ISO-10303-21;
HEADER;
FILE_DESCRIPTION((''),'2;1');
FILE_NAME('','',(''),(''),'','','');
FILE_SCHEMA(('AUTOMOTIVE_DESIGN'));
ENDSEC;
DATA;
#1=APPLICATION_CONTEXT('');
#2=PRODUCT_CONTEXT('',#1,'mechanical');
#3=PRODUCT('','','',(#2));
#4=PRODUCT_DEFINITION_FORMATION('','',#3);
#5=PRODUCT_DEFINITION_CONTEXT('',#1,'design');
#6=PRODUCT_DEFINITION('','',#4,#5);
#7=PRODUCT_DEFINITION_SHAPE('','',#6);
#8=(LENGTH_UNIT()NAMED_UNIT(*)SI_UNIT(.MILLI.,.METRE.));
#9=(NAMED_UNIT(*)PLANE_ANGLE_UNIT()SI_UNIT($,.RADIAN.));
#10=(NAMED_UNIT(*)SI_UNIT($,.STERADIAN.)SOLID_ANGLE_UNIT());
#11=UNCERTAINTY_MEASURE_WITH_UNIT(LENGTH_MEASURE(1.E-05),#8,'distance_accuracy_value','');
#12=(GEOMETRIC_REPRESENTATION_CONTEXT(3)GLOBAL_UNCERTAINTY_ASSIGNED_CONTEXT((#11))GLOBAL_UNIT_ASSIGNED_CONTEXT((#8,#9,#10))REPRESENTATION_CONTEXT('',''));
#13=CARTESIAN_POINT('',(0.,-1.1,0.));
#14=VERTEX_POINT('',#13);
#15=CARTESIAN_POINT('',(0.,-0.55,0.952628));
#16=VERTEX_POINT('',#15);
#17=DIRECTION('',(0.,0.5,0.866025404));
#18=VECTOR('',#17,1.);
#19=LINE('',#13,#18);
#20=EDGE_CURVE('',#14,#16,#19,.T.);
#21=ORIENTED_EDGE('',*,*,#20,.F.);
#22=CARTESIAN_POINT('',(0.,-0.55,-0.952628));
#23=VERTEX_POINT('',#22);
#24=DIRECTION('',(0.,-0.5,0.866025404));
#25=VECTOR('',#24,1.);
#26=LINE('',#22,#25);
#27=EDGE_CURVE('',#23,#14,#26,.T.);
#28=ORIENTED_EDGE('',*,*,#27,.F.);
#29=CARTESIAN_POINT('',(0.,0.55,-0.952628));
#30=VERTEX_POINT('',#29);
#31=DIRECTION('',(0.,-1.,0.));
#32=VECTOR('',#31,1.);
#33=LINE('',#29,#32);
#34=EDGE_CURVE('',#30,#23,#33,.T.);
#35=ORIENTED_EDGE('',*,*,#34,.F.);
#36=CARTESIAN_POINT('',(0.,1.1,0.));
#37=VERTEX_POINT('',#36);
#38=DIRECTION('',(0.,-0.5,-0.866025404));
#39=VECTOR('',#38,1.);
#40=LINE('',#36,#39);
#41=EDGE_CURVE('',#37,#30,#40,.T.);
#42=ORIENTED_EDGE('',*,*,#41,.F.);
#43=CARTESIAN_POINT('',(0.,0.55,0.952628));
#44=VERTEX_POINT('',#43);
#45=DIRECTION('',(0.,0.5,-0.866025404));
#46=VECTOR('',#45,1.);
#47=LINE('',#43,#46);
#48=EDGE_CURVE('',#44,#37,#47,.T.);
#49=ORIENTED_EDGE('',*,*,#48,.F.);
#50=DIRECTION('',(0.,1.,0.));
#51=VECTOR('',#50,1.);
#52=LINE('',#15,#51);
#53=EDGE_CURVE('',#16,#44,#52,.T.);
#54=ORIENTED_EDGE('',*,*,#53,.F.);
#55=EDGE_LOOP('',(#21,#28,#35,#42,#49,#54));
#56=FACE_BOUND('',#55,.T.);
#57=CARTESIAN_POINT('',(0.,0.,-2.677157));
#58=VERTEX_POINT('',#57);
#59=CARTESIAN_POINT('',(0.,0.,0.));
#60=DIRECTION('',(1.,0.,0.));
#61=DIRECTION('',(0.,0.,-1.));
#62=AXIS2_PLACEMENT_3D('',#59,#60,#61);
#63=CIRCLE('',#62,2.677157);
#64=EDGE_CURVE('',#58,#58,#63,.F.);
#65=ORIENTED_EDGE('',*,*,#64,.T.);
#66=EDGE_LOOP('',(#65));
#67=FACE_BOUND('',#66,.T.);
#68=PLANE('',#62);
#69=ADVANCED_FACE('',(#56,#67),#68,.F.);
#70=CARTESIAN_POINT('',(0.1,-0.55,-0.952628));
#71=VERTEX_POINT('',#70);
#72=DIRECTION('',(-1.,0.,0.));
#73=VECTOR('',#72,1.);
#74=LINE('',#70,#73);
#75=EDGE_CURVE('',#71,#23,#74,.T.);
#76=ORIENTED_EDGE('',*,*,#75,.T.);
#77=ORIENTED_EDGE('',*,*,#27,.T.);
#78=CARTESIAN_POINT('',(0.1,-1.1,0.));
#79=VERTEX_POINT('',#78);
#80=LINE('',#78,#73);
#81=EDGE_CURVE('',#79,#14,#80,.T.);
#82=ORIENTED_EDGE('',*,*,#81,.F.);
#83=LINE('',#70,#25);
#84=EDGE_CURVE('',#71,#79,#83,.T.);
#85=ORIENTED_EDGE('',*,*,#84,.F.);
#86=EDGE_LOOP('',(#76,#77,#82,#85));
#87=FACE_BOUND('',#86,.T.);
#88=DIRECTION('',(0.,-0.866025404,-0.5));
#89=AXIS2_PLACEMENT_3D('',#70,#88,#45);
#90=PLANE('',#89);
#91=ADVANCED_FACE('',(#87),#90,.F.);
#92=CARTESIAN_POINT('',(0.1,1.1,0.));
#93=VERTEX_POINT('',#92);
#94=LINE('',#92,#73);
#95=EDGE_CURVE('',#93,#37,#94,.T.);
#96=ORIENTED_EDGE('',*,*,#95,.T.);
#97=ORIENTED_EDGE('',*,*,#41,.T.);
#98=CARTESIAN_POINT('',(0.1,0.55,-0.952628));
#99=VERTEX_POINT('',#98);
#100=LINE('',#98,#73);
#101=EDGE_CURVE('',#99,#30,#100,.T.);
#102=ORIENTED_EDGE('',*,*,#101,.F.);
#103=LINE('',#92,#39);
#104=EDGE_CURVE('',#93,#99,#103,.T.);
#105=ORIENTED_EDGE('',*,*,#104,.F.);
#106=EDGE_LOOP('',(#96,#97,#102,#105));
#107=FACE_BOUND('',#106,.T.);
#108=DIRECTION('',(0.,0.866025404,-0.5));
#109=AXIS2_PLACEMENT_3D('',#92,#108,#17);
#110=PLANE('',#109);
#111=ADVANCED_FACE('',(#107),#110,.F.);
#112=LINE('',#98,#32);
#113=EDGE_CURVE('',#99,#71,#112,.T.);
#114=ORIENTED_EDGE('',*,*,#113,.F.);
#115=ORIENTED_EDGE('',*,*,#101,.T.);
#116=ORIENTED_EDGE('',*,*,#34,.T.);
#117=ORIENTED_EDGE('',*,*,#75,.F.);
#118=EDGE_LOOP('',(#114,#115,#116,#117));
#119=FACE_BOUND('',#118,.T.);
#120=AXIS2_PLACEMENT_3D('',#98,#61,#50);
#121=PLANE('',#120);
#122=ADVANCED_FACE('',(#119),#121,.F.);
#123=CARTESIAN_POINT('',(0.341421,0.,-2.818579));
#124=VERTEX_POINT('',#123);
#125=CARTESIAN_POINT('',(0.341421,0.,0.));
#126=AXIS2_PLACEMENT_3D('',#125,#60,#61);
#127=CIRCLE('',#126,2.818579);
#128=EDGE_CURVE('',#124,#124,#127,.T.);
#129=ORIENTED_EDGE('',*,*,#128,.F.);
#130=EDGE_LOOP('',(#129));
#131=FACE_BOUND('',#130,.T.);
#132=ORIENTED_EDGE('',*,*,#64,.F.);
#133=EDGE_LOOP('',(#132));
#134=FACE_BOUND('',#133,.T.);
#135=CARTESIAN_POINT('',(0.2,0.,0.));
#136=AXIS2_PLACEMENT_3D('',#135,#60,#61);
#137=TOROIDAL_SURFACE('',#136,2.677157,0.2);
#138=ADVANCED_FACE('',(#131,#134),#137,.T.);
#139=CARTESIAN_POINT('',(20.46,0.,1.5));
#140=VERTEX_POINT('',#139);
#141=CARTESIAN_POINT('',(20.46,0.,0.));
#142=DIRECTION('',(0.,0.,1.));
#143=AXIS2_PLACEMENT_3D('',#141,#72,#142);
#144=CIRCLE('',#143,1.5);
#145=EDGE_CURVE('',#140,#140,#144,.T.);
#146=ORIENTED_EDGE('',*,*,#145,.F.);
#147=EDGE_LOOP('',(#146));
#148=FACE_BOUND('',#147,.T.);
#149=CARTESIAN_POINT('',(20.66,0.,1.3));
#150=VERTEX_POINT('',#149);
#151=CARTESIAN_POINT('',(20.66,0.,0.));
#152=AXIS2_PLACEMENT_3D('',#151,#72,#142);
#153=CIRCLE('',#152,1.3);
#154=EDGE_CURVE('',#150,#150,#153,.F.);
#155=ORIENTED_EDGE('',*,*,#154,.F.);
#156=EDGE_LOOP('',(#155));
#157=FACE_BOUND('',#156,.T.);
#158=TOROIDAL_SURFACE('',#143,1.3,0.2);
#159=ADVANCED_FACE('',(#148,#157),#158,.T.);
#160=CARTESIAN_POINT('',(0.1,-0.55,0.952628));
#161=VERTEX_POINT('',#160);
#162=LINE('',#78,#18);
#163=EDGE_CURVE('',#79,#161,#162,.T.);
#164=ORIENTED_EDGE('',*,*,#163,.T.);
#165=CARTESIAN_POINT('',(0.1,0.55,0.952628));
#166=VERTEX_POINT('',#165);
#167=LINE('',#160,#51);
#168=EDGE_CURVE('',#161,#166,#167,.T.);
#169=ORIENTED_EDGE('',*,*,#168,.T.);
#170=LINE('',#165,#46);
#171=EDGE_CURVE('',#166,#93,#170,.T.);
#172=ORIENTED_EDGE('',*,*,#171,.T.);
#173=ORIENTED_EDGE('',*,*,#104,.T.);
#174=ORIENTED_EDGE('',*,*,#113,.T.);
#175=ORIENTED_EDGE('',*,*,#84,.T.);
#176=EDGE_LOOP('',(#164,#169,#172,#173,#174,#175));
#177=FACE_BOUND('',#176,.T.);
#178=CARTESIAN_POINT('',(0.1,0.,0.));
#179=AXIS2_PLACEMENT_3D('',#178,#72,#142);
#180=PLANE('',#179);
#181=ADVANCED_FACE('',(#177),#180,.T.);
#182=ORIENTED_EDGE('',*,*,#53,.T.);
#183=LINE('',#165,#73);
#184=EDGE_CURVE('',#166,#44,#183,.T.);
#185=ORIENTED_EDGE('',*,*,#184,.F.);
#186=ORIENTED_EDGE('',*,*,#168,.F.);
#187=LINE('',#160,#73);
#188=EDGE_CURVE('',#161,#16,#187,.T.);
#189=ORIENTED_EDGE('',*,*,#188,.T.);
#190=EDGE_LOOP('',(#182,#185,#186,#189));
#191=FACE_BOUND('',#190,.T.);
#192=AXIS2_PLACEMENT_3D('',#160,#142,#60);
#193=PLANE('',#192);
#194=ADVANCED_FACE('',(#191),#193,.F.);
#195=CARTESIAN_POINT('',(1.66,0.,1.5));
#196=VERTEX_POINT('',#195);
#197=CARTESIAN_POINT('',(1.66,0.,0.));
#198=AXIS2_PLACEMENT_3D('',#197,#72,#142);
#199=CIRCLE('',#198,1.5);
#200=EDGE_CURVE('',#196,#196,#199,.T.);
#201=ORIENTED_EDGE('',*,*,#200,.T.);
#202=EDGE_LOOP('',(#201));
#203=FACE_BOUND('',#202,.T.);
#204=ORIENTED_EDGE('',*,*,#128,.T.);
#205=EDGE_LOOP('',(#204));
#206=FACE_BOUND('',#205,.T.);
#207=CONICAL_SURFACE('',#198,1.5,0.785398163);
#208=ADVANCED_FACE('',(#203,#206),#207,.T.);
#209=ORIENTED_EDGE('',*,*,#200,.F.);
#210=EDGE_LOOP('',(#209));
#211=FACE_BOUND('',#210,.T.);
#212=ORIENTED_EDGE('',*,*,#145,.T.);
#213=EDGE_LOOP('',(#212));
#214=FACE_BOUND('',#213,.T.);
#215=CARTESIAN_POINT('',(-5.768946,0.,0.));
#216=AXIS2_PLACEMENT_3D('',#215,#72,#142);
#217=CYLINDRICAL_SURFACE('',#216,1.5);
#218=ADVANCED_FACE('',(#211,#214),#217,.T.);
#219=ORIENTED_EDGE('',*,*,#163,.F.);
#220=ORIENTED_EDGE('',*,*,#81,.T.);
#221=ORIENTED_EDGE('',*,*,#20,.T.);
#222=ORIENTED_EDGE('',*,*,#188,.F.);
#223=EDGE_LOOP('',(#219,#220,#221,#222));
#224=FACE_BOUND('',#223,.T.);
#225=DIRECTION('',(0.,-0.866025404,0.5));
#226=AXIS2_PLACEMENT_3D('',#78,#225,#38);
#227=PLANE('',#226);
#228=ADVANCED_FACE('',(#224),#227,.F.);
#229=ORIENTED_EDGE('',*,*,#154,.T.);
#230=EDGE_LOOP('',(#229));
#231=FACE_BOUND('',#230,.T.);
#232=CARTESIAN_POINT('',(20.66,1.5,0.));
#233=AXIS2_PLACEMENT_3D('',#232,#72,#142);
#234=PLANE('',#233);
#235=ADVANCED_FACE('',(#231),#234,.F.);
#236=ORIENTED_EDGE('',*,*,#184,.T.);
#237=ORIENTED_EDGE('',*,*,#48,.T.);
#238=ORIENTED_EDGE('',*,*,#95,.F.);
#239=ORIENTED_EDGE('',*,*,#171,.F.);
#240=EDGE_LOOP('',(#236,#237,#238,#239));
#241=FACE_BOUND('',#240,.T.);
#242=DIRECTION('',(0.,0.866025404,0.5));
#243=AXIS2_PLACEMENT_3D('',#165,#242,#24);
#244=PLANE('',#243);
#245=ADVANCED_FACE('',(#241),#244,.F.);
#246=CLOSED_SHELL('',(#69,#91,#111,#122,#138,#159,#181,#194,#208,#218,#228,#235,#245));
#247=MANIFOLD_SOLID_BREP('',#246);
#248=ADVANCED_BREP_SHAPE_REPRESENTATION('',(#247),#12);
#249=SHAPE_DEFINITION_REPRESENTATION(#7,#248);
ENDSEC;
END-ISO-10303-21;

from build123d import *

# Parameters (mm, degrees)
ENL_V_MAT_EXTRU_1_DEPTH = 0.1
CONG_1_R                = 0.2


with BuildPart() as part:
    # Esquisse1 → Révolution1 (revolve)
    with BuildSketch(Plane.XY, mode=Mode.PRIVATE) as r_volution1_sk:
        Polygon((0, 0), (0, 3.16), (1.66, 1.5), (20.66, 1.5), (20.66, 0), align=None)
    revolve(r_volution1_sk.sketch.rotate(Axis((-5.768945874, 0, 0), (1, 0, 0)), 90), axis=Axis((-5.768945874, 0, 0), (1, 0, 0)))

    # Esquisse2 → Enlèv. mat.-Extru.1 (cut)
    with BuildSketch(Plane.ZY):
        Polygon((0, -1.1), (0.952627944, -0.55), (0.952627944, 0.55), (0, 1.1), (-0.952627944, 0.55), (-0.952627944, -0.55), align=None)
    extrude(amount=-ENL_V_MAT_EXTRU_1_DEPTH, mode=Mode.SUBTRACT)

    # Congé1
    cong_1_edges = [part.edges().sort_by_distance(p)[0] for p in [
        (20.66, 0, -1.5),
        (0, 0, -3.16),
    ]]
    fillet(cong_1_edges, radius=CONG_1_R)


solid = part.part
